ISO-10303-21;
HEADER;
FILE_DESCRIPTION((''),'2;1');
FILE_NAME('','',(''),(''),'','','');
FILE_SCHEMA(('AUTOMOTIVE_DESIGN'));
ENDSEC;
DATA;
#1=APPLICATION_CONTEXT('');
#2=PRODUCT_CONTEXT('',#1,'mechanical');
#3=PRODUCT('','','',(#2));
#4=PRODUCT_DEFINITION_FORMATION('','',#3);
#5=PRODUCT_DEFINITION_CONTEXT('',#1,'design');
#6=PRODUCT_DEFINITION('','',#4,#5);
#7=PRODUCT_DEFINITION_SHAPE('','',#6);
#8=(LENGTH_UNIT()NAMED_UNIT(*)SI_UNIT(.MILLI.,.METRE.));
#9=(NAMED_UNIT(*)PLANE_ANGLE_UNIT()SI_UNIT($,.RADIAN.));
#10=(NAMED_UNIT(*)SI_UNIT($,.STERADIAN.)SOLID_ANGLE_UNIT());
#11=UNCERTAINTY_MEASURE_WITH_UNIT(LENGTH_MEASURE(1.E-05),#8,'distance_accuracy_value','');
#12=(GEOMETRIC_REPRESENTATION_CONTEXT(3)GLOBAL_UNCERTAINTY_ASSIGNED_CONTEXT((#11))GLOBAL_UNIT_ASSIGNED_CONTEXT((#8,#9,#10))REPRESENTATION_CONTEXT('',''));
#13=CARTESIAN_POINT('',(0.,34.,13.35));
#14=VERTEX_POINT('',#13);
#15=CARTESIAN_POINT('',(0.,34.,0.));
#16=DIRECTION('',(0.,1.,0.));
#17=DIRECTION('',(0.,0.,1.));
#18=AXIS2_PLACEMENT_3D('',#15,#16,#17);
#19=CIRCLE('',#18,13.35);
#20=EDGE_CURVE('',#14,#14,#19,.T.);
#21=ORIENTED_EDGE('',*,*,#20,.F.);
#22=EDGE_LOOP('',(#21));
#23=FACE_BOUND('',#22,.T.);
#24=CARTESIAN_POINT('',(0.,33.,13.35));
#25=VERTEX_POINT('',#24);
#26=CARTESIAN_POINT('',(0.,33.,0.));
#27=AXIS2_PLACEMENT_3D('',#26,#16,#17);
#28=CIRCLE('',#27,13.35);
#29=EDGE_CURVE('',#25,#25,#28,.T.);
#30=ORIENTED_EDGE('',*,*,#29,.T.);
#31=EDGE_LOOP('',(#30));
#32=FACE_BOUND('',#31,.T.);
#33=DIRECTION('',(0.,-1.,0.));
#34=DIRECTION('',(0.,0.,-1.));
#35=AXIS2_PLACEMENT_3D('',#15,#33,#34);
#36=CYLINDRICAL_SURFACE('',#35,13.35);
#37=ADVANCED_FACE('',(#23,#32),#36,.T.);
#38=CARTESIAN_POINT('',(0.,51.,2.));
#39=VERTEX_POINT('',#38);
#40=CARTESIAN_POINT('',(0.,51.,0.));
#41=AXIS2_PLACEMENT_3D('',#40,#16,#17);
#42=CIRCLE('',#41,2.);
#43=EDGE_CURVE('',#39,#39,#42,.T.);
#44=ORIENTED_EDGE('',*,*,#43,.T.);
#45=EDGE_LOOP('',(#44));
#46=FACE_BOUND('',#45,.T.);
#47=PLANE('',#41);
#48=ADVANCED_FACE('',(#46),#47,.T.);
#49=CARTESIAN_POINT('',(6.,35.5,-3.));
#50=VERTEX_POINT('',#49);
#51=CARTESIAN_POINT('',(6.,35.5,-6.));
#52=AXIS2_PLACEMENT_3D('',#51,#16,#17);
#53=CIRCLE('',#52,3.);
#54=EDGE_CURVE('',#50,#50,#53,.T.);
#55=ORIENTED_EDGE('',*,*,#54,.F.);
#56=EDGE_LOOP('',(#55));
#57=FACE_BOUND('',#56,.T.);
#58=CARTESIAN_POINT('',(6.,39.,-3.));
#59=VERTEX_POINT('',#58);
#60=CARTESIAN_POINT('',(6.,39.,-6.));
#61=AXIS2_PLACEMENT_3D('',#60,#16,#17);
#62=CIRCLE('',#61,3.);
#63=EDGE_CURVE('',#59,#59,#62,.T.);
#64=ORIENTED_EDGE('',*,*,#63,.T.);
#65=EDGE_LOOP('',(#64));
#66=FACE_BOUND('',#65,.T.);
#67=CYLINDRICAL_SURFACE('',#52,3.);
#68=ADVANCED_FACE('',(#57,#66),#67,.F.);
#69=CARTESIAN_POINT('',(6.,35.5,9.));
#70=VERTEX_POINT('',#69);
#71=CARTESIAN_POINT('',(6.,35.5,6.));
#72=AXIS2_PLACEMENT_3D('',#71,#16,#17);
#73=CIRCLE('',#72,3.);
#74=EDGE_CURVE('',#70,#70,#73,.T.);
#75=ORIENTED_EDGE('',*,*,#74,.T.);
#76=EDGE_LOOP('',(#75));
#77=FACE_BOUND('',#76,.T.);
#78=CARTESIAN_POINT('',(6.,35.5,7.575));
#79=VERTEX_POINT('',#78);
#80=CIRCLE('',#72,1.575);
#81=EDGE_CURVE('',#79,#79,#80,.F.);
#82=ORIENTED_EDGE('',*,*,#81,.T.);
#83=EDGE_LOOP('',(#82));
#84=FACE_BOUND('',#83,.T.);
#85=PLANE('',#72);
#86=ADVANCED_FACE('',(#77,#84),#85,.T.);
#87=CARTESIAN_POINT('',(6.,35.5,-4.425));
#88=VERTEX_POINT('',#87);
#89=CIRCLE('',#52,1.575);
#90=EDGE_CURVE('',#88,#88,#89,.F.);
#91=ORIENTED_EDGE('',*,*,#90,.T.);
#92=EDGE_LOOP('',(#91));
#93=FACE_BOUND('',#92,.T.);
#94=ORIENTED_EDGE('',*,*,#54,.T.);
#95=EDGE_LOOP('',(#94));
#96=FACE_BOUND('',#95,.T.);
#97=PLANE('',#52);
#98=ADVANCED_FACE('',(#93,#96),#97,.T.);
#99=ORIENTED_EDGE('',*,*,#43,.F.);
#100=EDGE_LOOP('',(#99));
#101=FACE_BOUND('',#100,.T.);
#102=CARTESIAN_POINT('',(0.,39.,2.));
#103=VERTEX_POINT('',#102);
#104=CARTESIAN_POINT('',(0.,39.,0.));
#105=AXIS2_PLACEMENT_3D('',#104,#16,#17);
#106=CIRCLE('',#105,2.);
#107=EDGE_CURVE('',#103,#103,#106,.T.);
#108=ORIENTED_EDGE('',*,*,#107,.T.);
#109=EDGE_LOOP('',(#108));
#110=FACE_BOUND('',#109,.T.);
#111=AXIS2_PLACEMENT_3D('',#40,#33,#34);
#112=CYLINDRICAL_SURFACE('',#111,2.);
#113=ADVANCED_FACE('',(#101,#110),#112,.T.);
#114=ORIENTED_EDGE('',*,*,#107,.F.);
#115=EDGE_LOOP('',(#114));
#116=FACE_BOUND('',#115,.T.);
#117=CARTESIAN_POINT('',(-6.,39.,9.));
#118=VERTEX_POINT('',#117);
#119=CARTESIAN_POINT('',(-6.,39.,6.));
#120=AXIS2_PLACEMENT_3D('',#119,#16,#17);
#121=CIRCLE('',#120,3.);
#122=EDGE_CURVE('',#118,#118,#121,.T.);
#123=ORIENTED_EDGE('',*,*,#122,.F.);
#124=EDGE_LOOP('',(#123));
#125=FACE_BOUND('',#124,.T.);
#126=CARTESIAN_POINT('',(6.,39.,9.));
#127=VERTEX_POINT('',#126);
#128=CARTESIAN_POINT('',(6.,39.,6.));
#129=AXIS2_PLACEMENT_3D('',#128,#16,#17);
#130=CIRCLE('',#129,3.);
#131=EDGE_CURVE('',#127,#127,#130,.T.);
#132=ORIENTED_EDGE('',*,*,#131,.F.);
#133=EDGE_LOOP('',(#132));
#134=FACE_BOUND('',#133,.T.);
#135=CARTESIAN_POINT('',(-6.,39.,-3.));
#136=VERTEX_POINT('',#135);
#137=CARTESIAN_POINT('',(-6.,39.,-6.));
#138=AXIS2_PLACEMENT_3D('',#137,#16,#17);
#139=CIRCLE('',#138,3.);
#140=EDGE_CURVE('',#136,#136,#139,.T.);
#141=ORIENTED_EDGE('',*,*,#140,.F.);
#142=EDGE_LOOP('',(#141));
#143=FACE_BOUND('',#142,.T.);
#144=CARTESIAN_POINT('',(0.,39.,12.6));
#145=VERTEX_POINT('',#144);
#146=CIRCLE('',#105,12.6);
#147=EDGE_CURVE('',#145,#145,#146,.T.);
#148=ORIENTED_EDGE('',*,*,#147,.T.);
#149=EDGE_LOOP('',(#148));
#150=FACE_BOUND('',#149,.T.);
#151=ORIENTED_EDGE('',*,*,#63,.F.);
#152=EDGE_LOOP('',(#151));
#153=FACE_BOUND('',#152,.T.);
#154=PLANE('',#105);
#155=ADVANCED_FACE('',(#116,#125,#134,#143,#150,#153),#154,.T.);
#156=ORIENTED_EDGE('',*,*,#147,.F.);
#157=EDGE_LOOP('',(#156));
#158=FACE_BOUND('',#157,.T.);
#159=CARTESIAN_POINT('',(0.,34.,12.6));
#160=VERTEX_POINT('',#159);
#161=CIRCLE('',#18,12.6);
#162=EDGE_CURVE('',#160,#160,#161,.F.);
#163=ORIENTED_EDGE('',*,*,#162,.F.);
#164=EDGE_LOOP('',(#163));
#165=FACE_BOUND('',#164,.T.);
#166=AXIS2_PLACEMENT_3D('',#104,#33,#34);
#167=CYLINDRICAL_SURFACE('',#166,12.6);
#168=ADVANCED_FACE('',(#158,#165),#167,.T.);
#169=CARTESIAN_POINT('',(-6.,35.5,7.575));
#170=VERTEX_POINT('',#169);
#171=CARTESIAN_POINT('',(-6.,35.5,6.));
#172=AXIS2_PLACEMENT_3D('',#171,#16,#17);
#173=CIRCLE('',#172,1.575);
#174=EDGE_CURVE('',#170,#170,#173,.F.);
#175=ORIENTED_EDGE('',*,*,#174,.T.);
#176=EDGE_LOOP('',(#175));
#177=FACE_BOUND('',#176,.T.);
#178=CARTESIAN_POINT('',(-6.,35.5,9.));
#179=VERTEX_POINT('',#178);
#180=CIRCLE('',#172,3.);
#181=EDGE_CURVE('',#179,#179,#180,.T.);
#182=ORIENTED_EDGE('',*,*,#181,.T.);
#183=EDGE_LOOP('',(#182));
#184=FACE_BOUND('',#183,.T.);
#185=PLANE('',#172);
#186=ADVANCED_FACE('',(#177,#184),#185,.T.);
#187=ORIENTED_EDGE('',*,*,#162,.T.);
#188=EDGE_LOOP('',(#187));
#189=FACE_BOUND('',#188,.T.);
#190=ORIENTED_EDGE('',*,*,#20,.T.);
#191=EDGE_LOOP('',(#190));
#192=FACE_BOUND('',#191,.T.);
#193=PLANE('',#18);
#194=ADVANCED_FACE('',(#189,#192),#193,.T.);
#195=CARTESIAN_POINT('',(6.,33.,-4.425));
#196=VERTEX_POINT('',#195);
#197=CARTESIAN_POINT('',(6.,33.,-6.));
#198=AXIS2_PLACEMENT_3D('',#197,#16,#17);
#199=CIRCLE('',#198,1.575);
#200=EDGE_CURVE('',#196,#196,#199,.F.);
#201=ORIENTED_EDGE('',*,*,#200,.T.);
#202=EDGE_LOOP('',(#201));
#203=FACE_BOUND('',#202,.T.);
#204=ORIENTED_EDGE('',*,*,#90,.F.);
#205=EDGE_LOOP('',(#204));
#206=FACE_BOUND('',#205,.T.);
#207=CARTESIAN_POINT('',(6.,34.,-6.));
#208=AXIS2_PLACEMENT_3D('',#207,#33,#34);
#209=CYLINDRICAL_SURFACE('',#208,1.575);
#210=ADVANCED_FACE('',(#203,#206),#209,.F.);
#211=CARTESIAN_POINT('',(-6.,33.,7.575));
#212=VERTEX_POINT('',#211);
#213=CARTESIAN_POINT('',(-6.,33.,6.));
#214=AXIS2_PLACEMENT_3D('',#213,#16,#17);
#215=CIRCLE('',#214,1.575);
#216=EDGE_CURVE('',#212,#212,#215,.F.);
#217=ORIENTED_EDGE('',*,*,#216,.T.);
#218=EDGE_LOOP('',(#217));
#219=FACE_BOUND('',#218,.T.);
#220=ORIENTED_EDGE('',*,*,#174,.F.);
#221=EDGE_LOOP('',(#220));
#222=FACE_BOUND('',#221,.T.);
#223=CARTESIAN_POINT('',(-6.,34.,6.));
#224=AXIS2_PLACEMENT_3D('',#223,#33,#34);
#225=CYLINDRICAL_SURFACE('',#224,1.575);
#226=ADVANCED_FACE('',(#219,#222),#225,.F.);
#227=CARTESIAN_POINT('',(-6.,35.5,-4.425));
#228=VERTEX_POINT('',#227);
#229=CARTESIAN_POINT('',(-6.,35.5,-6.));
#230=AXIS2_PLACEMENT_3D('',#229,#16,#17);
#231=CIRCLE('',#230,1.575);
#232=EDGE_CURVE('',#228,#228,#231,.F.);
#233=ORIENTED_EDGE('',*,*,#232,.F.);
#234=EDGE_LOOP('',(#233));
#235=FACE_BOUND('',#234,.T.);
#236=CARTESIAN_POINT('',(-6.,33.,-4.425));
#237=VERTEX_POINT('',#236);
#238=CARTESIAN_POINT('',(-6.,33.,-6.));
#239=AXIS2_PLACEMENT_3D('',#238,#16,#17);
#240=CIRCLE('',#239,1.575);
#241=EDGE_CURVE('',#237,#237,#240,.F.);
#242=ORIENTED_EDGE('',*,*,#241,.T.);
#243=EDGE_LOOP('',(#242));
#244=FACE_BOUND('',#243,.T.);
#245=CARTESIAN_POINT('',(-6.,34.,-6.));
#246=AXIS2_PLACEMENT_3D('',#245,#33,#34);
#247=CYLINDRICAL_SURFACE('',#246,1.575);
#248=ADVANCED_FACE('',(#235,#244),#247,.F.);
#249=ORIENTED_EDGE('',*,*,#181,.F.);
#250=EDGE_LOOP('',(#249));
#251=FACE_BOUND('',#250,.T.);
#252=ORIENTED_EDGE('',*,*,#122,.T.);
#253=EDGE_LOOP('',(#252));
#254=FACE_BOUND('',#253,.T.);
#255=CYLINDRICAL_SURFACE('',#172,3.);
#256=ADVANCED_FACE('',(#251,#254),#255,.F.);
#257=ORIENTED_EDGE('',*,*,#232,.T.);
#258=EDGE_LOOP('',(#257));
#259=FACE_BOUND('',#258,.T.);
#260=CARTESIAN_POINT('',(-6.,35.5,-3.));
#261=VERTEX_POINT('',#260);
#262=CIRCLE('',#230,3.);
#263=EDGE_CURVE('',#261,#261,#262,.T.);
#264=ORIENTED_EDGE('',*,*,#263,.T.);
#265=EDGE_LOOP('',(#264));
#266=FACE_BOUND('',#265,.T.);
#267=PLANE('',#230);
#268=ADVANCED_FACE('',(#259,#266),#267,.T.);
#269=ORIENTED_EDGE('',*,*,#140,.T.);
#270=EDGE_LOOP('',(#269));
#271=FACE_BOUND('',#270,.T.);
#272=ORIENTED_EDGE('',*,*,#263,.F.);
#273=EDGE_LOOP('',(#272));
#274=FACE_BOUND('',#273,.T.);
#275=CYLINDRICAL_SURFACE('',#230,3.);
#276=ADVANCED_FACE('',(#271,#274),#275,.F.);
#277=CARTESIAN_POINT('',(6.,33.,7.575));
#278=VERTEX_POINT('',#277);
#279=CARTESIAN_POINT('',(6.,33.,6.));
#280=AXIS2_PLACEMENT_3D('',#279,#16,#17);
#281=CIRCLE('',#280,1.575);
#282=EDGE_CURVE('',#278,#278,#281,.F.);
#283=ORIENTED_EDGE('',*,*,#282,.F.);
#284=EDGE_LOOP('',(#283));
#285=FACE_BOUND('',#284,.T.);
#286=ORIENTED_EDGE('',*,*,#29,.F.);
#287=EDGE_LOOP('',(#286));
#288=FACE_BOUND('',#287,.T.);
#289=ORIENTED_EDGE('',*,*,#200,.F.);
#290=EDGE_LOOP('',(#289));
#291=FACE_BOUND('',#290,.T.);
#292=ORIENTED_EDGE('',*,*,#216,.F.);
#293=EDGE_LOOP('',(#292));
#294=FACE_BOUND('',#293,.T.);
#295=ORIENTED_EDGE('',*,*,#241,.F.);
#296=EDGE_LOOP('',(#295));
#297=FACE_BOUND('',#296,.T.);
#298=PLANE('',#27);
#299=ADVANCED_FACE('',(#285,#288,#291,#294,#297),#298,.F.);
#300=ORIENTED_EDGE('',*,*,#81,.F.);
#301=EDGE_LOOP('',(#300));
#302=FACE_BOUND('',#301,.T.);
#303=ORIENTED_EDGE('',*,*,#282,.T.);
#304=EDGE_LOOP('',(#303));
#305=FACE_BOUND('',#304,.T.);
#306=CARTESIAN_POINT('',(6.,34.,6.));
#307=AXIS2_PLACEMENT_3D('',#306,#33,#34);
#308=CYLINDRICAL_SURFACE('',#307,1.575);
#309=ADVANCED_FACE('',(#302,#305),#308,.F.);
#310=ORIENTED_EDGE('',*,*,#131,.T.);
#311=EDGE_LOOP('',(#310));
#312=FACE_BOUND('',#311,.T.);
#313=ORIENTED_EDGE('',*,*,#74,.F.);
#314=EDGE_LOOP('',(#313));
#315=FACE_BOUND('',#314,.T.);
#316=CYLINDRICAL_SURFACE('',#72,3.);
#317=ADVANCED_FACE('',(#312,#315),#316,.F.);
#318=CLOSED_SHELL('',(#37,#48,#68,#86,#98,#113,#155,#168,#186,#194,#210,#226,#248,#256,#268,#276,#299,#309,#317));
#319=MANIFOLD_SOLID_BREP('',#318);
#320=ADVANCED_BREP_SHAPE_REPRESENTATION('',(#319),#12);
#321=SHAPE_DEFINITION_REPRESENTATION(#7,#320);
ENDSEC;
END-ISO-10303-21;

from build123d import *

# Parameters (mm, degrees)
SKETCH1_R           = 13.35
SKETCH1_R_2         = 1.575
BOSS_EXTRUDE1_DEPTH = 1
SKETCH1_3_R         = 12.6
SKETCH1_3_R_2       = 1.575
BOSS_EXTRUDE2_DEPTH = 6
SKETCH2_R           = 3
CUT_EXTRUDE1_DEPTH  = 3.5
SKETCH3_R           = 2
BOSS_EXTRUDE3_DEPTH = 12


with BuildPart() as part:
    # Sketch1 → Boss-Extrude1 (new body)
    with BuildSketch(Plane(origin=(0, 33, 0), x_dir=(1, 0, 0), z_dir=(0, 1, 0))):
        Circle(SKETCH1_R)
        with Locations((-6, -6)):
            Circle(SKETCH1_R_2, mode=Mode.SUBTRACT)
        with Locations((6, -6)):
            Circle(SKETCH1_R_2, mode=Mode.SUBTRACT)
        with Locations((-6, 6)):
            Circle(SKETCH1_R_2, mode=Mode.SUBTRACT)
        with Locations((6, 6)):
            Circle(SKETCH1_R_2, mode=Mode.SUBTRACT)
    extrude(amount=BOSS_EXTRUDE1_DEPTH)

    # Sketch1<3> → Boss-Extrude2 (add)
    with BuildSketch(Plane(origin=(0, 33, 0), x_dir=(1, 0, 0), z_dir=(0, 1, 0))):
        Circle(SKETCH1_3_R)
        with Locations((-6, -6)):
            Circle(SKETCH1_3_R_2, mode=Mode.SUBTRACT)
        with Locations((6, -6)):
            Circle(SKETCH1_3_R_2, mode=Mode.SUBTRACT)
        with Locations((-6, 6)):
            Circle(SKETCH1_3_R_2, mode=Mode.SUBTRACT)
        with Locations((6, 6)):
            Circle(SKETCH1_3_R_2, mode=Mode.SUBTRACT)
    extrude(amount=BOSS_EXTRUDE2_DEPTH)

    # Sketch2 → Cut-Extrude1 (cut)
    with BuildSketch(Plane(origin=(0, 39, 0), x_dir=(1, 0, 0), z_dir=(0, 1, 0))):
        with Locations((-6, 6)):
            Circle(SKETCH2_R)
        with Locations((6, 6)):
            Circle(SKETCH2_R)
        with Locations((6, -6)):
            Circle(SKETCH2_R)
        with Locations((-6, -6)):
            Circle(SKETCH2_R)
    extrude(amount=-CUT_EXTRUDE1_DEPTH, mode=Mode.SUBTRACT)

    # Sketch3 → Boss-Extrude3 (add)
    with BuildSketch(Plane(origin=(0, 39, 0), x_dir=(1, 0, 0), z_dir=(0, 1, 0))):
        Circle(SKETCH3_R)
    extrude(amount=BOSS_EXTRUDE3_DEPTH)


solid = part.part
